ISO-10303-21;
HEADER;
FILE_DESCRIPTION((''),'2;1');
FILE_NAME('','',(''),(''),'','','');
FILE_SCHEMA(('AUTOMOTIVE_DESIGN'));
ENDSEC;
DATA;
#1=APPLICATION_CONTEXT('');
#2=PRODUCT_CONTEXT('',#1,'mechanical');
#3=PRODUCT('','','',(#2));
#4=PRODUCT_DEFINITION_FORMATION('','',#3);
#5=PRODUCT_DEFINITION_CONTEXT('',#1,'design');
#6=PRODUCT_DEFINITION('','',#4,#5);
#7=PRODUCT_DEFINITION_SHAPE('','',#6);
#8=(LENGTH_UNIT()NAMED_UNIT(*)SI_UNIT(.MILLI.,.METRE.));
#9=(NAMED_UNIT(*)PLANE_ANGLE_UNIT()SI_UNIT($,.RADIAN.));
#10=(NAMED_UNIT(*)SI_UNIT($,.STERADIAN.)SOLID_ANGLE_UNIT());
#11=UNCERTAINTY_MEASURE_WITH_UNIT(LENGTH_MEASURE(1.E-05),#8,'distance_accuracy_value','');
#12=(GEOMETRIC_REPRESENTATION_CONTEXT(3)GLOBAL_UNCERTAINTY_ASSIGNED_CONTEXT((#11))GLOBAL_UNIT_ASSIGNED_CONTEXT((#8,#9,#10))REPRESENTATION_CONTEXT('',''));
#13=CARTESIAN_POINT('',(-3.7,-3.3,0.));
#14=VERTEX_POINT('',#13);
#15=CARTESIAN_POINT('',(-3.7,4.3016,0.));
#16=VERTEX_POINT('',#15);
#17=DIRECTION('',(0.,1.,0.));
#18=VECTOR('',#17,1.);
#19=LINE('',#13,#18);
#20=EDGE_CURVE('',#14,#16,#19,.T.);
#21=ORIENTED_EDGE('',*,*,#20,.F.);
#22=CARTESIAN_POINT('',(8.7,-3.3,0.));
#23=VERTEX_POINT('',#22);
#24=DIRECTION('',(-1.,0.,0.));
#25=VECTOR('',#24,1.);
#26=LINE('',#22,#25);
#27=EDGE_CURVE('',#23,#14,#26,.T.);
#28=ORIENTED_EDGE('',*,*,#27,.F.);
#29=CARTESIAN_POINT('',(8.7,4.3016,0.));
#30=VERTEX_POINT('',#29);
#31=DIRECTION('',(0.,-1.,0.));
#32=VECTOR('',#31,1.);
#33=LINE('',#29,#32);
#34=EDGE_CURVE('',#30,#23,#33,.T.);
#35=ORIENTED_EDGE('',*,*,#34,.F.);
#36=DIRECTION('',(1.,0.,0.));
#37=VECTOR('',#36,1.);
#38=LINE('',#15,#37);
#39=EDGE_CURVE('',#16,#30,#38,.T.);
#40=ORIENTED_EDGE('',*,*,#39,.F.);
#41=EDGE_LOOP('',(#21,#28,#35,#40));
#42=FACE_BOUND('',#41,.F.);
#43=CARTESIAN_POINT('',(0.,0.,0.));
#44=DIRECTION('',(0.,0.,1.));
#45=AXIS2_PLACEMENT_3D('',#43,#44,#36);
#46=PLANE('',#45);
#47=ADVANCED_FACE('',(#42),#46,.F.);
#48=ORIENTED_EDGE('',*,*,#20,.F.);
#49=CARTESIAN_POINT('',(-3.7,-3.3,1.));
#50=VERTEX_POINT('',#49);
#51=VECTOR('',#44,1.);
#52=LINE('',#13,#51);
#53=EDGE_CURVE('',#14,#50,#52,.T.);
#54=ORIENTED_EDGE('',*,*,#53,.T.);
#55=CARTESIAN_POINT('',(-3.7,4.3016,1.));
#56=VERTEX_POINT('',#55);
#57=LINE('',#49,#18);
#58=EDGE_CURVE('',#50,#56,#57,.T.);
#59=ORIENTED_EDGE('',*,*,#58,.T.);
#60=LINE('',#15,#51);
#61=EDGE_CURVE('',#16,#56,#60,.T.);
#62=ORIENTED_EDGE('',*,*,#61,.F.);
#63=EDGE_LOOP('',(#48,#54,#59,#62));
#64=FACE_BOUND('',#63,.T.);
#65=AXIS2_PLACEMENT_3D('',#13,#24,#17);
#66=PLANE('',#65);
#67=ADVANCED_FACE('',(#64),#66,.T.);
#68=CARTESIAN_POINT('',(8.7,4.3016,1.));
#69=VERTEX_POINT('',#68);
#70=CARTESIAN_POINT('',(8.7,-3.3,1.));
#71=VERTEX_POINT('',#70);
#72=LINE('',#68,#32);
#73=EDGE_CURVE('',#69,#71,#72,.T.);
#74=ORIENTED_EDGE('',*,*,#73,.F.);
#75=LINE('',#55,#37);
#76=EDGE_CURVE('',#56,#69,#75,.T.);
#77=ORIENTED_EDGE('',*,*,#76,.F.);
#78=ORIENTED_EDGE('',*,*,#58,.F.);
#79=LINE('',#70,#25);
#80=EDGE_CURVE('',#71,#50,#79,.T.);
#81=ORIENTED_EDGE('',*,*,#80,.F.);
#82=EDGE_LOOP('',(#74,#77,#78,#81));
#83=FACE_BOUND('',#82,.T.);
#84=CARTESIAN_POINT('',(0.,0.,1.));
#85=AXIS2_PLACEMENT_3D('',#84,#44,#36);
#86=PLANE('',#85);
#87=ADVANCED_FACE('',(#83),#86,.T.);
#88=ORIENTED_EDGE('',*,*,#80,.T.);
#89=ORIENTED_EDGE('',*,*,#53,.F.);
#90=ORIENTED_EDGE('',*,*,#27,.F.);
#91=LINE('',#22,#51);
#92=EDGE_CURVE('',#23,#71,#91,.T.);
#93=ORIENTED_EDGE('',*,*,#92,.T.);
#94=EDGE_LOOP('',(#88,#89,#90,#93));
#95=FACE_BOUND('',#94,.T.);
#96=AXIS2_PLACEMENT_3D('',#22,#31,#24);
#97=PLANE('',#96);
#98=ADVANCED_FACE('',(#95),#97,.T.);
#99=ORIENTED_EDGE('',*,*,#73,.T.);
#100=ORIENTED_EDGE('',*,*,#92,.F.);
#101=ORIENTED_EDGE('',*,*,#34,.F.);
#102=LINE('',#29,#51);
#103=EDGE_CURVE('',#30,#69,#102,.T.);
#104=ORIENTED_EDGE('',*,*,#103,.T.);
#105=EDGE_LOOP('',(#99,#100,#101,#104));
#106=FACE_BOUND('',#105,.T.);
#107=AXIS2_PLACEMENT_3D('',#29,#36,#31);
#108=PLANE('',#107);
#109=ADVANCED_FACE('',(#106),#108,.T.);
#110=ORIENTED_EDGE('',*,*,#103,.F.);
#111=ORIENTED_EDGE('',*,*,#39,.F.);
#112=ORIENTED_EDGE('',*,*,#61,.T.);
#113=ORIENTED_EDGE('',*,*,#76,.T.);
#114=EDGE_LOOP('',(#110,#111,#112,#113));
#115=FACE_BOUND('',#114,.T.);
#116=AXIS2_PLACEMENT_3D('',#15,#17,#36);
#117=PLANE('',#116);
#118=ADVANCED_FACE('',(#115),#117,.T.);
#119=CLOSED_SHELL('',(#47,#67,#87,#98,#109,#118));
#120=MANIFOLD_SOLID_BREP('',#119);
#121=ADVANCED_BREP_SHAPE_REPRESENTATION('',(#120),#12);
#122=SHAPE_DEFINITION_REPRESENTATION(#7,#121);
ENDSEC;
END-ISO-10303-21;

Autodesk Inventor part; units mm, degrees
ref_plane "YZ Plane" through (0, 0, 0) normal (1, 0, 0) x (0, 1, 0)
ref_plane "XZ Plane" through (0, 0, 0) normal (0, 1, 0) x (-1, 0, 0)
ref_plane "XY Plane" through (0, 0, 0) normal (0, 0, 1) x (1, 0, 0)
sketch "SCREWTERMINAL-5MM-2, J3_SCREWTERMINAL-5MM-2_28" plane through (0, 0, 0) normal (0, 0, 1) x (1, 0, 0)
  line L0 (-3.7, 4.3016) -> (8.7, 4.3016)
  line L1 (8.7, 4.3016) -> (8.7, -3.3)
  line L2 (8.7, -3.3) -> (-3.7, -3.3)
  line L3 (-3.7, -3.3) -> (-3.7, 4.3016)
extrude "Extrusion1" add sketch "SCREWTERMINAL-5MM-2, J3_SCREWTERMINAL-5MM-2_28" along normal blind 1
properties part number "J3_SCREWTERMINAL-5MM-2"
